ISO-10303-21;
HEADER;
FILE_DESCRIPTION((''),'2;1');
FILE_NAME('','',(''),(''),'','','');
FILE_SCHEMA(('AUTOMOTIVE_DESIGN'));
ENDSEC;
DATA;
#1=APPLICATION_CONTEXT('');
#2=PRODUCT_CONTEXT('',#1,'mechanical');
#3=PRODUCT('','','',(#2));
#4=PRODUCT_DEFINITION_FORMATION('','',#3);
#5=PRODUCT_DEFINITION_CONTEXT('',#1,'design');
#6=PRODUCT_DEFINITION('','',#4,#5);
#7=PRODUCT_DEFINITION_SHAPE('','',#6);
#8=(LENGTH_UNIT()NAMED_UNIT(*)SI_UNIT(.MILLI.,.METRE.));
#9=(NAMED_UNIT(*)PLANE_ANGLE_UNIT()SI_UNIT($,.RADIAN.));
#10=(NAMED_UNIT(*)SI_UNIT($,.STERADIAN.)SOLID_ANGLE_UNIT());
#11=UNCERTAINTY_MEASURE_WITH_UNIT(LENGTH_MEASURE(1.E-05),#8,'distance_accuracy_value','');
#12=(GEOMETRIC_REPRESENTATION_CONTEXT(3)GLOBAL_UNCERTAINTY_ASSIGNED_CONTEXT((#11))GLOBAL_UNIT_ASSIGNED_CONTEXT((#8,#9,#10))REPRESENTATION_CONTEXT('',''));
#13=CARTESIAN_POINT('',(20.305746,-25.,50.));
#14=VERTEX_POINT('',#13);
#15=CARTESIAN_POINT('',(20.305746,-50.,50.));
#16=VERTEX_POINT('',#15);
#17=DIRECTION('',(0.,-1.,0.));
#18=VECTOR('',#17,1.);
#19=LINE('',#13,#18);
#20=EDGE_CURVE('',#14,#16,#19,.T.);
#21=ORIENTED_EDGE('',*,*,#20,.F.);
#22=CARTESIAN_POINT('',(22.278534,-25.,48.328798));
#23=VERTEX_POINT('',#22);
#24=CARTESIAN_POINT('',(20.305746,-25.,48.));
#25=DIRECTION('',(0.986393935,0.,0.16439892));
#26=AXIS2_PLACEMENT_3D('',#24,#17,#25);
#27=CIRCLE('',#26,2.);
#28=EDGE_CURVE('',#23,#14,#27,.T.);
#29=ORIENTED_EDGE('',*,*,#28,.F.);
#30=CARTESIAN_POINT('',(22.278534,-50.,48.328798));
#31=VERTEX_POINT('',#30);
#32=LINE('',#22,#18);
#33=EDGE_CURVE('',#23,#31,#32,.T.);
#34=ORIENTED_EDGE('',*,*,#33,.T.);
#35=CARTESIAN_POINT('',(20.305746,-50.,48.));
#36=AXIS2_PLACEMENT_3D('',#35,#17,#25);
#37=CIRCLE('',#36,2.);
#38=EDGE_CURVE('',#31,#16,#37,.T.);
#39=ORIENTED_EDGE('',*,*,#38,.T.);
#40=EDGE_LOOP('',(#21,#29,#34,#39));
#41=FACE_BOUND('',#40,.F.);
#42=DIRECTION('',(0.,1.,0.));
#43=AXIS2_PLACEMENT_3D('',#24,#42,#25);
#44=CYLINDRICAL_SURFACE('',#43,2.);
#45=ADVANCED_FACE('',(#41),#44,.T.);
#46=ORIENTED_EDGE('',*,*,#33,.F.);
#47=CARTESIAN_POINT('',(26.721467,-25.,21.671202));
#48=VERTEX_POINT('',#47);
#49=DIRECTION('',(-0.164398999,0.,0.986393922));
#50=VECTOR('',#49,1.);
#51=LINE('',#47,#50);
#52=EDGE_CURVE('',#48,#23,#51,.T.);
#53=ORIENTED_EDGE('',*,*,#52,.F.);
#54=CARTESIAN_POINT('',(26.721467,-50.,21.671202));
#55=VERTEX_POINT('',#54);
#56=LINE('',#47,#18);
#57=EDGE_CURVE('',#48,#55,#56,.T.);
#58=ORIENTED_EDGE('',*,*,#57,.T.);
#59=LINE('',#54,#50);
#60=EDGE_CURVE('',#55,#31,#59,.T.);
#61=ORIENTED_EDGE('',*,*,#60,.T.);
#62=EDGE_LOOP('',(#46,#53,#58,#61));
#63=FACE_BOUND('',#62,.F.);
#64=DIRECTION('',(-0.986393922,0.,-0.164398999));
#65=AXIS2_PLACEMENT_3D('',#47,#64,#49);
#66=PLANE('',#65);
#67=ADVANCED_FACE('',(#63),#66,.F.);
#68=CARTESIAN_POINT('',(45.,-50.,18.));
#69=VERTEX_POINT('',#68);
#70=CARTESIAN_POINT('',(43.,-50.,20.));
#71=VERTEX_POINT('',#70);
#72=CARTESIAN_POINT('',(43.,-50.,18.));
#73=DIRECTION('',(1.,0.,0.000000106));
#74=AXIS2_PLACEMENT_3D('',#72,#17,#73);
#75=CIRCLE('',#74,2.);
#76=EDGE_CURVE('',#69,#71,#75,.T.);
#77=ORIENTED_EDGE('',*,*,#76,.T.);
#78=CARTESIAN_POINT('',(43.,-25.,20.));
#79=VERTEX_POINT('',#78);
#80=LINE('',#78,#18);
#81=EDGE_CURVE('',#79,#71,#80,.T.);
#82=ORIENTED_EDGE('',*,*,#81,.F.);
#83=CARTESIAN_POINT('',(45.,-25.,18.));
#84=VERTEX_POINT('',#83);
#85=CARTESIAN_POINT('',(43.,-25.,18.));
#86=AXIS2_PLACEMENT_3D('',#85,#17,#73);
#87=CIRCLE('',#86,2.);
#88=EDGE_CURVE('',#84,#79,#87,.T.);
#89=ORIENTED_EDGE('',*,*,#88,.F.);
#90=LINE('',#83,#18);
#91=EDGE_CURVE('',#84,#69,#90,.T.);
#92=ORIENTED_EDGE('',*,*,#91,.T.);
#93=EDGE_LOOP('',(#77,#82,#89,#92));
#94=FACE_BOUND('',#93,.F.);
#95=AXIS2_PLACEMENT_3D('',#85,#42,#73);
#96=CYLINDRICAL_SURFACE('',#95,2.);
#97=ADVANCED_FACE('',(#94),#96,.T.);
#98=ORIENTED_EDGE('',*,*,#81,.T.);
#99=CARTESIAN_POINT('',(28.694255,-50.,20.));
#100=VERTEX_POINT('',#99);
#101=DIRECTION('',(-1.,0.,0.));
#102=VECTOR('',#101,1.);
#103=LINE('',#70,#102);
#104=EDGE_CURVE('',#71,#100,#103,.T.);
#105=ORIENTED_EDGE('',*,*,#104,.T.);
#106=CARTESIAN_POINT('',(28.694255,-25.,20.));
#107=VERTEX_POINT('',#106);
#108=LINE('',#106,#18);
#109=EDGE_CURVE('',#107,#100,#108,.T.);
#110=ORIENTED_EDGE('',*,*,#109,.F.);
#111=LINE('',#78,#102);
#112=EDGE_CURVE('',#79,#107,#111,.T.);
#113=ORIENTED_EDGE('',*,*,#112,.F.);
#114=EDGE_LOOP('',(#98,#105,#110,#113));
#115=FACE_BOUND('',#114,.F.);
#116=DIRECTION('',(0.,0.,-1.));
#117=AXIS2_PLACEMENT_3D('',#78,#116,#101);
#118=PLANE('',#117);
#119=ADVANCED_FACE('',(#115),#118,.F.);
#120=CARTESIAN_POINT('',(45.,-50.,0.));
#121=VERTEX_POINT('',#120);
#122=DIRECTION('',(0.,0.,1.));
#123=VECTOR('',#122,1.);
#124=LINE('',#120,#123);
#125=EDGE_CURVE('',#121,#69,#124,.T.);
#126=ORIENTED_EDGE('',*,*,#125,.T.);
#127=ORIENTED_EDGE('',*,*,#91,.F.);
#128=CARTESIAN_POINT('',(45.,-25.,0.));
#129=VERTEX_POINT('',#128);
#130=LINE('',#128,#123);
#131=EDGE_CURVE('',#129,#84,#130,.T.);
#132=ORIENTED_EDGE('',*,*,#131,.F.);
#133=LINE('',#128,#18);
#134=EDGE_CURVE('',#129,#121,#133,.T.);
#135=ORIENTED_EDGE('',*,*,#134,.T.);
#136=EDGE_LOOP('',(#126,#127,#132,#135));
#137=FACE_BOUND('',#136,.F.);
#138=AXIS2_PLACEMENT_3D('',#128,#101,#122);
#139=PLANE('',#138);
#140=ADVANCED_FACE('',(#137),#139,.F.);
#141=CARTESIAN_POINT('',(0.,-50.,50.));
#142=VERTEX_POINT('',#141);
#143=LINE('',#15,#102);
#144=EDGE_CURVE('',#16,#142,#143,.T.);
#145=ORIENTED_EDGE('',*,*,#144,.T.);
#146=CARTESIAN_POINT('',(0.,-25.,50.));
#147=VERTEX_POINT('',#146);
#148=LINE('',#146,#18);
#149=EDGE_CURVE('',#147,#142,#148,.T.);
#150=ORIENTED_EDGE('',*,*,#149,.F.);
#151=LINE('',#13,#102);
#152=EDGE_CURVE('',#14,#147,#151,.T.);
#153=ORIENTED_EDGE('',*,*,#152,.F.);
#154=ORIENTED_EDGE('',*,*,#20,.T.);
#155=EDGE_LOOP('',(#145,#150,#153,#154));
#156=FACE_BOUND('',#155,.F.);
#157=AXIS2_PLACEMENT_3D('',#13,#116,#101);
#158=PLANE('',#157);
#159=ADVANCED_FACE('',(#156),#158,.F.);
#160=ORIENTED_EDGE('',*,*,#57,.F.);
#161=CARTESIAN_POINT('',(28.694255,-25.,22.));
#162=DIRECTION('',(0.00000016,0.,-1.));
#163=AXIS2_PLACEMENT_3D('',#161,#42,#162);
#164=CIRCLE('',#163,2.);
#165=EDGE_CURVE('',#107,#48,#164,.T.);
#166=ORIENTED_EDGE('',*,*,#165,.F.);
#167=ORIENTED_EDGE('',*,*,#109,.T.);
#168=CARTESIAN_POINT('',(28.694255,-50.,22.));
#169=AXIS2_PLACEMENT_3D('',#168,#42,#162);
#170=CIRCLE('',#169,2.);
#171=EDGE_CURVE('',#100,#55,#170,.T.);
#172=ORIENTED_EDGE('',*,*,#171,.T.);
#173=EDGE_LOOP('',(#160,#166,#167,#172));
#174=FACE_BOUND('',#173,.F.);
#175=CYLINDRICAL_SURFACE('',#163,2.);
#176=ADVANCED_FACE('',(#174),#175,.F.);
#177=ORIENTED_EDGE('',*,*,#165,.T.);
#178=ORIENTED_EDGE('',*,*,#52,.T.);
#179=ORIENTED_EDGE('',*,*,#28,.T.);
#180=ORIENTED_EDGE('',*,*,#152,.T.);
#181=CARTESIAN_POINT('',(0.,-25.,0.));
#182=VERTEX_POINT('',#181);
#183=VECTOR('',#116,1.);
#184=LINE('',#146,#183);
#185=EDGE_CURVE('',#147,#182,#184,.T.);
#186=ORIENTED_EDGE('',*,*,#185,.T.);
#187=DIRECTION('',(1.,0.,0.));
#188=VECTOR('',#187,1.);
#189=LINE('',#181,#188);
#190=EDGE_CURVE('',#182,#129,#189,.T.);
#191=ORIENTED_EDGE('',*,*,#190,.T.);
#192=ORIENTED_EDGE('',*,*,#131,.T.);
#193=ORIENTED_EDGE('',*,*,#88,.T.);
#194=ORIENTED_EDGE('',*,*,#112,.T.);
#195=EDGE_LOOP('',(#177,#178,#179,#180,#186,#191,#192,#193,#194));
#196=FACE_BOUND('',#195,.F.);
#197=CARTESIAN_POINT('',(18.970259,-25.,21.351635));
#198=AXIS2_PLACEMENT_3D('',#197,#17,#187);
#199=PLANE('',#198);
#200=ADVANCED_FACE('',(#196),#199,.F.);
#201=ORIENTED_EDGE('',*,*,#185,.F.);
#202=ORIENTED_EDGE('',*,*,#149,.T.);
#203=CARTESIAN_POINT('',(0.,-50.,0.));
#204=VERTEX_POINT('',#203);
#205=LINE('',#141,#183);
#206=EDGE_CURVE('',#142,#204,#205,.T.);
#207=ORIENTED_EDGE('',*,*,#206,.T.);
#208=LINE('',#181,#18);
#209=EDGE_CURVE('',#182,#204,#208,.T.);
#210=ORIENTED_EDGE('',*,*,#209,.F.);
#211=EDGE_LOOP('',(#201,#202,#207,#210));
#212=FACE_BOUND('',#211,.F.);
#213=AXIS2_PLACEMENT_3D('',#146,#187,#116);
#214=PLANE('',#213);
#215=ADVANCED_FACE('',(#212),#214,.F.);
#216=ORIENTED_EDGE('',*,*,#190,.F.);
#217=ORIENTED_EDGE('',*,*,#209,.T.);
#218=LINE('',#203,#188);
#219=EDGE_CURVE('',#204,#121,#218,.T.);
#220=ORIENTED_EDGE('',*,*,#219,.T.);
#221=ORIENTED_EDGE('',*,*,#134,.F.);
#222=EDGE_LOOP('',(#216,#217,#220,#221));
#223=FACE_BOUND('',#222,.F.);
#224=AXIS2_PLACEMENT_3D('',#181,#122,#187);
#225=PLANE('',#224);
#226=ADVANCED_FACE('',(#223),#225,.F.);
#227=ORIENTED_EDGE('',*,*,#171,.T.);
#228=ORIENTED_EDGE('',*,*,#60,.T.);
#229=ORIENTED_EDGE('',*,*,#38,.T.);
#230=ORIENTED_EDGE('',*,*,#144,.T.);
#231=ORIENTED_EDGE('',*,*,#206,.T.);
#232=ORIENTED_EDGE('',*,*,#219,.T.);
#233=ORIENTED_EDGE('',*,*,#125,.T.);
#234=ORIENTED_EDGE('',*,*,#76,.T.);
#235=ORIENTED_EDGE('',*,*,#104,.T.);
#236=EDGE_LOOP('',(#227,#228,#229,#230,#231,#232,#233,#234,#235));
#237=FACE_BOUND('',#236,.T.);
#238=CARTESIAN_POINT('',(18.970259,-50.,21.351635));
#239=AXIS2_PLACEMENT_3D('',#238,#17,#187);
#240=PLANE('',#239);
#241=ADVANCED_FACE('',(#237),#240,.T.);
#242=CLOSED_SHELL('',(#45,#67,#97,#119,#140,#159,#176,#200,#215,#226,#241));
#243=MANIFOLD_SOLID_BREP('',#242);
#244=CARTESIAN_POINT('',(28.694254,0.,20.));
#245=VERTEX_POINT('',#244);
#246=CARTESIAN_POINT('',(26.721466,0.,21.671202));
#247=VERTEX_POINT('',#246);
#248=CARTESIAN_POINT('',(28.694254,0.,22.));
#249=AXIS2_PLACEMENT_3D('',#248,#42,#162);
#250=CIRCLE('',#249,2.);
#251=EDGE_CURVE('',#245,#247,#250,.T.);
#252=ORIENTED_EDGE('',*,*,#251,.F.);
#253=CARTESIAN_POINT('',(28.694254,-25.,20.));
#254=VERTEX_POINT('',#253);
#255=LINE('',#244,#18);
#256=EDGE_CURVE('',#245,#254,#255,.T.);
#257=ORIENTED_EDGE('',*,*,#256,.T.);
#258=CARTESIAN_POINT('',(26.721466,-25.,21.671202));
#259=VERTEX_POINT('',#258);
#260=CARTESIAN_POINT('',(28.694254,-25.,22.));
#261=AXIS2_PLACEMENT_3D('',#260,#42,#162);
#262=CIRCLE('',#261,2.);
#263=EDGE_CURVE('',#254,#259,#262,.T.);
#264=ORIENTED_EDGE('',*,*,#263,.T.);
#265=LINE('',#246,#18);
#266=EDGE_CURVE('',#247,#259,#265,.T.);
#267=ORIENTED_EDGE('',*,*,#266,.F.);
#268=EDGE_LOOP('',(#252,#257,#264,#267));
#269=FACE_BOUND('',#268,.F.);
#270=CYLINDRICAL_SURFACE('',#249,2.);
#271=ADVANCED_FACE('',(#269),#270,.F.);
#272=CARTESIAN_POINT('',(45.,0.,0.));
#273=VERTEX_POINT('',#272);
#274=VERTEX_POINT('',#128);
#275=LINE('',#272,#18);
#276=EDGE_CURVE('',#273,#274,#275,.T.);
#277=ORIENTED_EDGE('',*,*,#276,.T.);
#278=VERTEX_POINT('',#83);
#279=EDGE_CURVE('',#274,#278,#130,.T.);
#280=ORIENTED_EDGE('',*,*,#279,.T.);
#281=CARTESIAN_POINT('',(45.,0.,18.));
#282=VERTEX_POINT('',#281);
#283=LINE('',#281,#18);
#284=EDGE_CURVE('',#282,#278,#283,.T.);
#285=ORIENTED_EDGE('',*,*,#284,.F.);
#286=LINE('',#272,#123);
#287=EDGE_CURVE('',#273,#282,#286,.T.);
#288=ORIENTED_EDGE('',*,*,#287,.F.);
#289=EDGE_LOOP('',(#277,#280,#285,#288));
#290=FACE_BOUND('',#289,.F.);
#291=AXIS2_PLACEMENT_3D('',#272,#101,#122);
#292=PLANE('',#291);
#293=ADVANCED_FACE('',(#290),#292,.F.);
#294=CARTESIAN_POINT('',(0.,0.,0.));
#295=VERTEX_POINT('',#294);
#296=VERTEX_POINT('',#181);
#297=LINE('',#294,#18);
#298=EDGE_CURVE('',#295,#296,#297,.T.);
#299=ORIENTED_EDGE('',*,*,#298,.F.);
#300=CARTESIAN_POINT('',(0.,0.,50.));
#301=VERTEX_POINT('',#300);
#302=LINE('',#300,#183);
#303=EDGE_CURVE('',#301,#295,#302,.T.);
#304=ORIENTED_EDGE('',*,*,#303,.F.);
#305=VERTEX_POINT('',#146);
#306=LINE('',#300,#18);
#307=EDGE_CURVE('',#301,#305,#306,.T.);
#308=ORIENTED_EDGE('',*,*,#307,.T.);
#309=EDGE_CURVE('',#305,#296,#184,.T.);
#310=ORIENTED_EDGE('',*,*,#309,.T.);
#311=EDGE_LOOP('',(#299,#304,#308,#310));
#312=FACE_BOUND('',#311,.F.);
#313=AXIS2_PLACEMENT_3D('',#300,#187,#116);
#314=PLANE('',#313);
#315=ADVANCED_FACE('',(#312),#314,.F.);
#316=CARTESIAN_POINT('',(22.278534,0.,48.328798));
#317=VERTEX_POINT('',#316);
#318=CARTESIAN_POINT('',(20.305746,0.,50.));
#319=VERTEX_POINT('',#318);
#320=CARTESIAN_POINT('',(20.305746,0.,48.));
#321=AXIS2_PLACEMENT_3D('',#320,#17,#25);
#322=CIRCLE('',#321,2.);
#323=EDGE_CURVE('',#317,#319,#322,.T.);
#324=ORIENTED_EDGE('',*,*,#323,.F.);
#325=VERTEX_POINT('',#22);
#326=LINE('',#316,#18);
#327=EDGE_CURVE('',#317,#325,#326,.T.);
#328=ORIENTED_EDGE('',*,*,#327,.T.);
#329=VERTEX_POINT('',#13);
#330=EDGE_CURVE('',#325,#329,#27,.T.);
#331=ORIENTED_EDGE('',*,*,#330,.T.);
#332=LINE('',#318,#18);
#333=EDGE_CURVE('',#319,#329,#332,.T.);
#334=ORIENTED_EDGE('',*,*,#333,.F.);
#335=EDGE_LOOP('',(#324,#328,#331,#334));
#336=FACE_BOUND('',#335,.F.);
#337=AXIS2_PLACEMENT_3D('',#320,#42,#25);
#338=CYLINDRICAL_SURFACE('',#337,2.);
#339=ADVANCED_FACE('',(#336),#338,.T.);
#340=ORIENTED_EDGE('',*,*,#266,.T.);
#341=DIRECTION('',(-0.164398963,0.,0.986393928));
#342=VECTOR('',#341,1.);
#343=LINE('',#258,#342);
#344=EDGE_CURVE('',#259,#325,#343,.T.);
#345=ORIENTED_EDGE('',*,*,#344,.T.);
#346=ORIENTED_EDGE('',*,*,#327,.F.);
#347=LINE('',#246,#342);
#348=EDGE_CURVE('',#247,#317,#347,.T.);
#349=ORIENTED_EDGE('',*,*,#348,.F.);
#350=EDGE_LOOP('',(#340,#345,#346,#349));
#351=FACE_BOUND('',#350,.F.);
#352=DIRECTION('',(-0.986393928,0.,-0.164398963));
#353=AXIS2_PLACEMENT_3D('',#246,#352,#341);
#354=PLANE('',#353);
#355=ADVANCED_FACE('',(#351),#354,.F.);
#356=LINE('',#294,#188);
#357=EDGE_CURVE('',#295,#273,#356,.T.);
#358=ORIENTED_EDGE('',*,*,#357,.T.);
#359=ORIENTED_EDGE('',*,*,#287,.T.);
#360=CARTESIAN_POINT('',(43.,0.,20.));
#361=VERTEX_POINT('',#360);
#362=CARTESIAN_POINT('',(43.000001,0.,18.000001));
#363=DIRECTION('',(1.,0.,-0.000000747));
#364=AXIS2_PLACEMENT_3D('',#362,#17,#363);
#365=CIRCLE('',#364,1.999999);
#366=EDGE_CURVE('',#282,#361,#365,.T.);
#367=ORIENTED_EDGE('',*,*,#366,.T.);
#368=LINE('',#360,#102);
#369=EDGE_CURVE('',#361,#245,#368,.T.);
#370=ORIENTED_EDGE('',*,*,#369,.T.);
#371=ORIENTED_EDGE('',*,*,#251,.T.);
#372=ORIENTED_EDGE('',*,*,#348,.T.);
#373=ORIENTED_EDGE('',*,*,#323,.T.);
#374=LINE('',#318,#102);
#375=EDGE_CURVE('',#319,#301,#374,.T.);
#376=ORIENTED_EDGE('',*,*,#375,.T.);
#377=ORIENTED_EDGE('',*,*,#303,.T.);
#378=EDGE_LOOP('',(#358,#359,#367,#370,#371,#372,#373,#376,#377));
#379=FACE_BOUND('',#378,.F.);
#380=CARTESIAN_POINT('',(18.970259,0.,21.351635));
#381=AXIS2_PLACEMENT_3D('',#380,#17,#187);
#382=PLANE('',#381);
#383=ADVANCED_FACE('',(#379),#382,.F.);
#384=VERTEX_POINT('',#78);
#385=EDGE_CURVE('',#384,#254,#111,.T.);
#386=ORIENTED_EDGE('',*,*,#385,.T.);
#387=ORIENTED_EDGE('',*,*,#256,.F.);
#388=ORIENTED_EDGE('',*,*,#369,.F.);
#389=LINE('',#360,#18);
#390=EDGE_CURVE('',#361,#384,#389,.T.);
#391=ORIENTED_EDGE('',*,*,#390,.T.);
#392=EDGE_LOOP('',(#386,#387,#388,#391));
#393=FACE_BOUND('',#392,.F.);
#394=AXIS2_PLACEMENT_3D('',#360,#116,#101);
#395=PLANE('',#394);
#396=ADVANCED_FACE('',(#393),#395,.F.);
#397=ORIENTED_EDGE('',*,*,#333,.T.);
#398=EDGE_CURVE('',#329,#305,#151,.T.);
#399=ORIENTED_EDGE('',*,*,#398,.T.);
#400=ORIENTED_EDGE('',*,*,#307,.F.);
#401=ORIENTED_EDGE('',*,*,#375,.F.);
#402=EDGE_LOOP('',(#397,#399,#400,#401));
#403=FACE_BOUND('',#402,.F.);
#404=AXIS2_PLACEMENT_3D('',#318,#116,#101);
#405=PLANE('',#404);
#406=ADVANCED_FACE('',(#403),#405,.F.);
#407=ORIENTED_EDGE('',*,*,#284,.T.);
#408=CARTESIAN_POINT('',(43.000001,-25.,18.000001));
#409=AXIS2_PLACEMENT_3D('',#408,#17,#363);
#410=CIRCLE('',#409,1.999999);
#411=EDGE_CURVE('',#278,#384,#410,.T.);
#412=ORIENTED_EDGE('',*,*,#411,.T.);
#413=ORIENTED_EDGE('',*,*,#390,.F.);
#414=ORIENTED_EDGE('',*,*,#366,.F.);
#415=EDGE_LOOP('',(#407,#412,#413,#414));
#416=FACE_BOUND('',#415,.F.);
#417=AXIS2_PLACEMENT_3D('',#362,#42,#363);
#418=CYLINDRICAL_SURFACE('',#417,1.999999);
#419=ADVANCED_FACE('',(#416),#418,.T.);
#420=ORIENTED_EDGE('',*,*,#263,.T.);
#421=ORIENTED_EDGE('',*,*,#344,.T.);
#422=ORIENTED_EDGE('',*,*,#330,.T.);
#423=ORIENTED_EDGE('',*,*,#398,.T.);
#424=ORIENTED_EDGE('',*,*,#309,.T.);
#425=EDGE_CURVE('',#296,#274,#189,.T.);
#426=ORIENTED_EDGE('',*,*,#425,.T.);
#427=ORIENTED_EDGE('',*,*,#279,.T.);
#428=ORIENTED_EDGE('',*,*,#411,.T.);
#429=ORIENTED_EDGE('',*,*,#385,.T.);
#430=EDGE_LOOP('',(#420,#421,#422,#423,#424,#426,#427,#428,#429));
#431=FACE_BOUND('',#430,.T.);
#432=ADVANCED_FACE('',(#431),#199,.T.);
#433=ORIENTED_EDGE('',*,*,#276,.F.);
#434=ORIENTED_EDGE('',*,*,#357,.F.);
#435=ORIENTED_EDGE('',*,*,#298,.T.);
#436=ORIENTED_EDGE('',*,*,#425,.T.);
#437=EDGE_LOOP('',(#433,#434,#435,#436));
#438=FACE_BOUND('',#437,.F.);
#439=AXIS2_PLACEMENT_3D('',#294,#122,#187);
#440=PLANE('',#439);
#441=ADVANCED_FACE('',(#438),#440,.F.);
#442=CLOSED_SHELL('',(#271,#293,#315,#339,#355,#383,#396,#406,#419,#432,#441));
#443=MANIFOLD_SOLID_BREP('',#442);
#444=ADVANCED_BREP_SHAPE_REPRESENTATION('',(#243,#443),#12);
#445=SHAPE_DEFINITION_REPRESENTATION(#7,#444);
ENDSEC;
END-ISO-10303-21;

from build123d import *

# Parameters (mm, degrees)
F1_DEPTH = 25
F2_DEPTH = 25


with BuildPart() as f1:
    # F0 (on Front) → F1 (new body)
    with BuildSketch(Plane.XZ):
        with BuildLine():
            Line((0, 50), (0, 0))
            Line((0, 0), (45, 0))
            Line((45, 0), (45, 18))
            ThreePointArc((45, 18), (44.414214, 19.414214), (43, 20))
            Line((43, 20), (28.694254, 20))
            ThreePointArc((28.694254, 20), (27.401504, 20.47396), (26.721466, 21.671202))
            Line((26.721466, 21.671202), (22.278534, 48.328798))
            ThreePointArc((22.278534, 48.328798), (21.598496, 49.52604), (20.305746, 50))
            Line((20.305746, 50), (0, 50))
        make_face()
    extrude(amount=F1_DEPTH)


with BuildPart() as f2:
    # F1_face (on face) → F2 (new body)
    with BuildSketch(Plane(origin=(17.899305, -25, 20.9996), x_dir=(1, 0, 0), z_dir=(0, -1, 0))):
        with BuildLine():
            Line((-17.899305, 29.0004), (-17.899305, -20.9996))
            Line((-17.899305, -20.9996), (27.100695, -20.9996))
            Line((27.100695, -20.9996), (27.100695, -2.9996))
            ThreePointArc((27.100695, -2.9996), (26.514909, -1.585387), (25.100695, -0.9996))
            Line((25.100695, -0.9996), (10.79495, -0.9996))
            ThreePointArc((10.79495, -0.9996), (9.5022, -0.52564), (8.822162, 0.671602))
            Line((8.822162, 0.671602), (4.379229, 27.329198))
            ThreePointArc((4.379229, 27.329198), (3.699191, 28.52644), (2.406441, 29.0004))
            Line((2.406441, 29.0004), (-17.899305, 29.0004))
        make_face()
    extrude(amount=F2_DEPTH)


solid = Compound([f1.part, f2.part])
